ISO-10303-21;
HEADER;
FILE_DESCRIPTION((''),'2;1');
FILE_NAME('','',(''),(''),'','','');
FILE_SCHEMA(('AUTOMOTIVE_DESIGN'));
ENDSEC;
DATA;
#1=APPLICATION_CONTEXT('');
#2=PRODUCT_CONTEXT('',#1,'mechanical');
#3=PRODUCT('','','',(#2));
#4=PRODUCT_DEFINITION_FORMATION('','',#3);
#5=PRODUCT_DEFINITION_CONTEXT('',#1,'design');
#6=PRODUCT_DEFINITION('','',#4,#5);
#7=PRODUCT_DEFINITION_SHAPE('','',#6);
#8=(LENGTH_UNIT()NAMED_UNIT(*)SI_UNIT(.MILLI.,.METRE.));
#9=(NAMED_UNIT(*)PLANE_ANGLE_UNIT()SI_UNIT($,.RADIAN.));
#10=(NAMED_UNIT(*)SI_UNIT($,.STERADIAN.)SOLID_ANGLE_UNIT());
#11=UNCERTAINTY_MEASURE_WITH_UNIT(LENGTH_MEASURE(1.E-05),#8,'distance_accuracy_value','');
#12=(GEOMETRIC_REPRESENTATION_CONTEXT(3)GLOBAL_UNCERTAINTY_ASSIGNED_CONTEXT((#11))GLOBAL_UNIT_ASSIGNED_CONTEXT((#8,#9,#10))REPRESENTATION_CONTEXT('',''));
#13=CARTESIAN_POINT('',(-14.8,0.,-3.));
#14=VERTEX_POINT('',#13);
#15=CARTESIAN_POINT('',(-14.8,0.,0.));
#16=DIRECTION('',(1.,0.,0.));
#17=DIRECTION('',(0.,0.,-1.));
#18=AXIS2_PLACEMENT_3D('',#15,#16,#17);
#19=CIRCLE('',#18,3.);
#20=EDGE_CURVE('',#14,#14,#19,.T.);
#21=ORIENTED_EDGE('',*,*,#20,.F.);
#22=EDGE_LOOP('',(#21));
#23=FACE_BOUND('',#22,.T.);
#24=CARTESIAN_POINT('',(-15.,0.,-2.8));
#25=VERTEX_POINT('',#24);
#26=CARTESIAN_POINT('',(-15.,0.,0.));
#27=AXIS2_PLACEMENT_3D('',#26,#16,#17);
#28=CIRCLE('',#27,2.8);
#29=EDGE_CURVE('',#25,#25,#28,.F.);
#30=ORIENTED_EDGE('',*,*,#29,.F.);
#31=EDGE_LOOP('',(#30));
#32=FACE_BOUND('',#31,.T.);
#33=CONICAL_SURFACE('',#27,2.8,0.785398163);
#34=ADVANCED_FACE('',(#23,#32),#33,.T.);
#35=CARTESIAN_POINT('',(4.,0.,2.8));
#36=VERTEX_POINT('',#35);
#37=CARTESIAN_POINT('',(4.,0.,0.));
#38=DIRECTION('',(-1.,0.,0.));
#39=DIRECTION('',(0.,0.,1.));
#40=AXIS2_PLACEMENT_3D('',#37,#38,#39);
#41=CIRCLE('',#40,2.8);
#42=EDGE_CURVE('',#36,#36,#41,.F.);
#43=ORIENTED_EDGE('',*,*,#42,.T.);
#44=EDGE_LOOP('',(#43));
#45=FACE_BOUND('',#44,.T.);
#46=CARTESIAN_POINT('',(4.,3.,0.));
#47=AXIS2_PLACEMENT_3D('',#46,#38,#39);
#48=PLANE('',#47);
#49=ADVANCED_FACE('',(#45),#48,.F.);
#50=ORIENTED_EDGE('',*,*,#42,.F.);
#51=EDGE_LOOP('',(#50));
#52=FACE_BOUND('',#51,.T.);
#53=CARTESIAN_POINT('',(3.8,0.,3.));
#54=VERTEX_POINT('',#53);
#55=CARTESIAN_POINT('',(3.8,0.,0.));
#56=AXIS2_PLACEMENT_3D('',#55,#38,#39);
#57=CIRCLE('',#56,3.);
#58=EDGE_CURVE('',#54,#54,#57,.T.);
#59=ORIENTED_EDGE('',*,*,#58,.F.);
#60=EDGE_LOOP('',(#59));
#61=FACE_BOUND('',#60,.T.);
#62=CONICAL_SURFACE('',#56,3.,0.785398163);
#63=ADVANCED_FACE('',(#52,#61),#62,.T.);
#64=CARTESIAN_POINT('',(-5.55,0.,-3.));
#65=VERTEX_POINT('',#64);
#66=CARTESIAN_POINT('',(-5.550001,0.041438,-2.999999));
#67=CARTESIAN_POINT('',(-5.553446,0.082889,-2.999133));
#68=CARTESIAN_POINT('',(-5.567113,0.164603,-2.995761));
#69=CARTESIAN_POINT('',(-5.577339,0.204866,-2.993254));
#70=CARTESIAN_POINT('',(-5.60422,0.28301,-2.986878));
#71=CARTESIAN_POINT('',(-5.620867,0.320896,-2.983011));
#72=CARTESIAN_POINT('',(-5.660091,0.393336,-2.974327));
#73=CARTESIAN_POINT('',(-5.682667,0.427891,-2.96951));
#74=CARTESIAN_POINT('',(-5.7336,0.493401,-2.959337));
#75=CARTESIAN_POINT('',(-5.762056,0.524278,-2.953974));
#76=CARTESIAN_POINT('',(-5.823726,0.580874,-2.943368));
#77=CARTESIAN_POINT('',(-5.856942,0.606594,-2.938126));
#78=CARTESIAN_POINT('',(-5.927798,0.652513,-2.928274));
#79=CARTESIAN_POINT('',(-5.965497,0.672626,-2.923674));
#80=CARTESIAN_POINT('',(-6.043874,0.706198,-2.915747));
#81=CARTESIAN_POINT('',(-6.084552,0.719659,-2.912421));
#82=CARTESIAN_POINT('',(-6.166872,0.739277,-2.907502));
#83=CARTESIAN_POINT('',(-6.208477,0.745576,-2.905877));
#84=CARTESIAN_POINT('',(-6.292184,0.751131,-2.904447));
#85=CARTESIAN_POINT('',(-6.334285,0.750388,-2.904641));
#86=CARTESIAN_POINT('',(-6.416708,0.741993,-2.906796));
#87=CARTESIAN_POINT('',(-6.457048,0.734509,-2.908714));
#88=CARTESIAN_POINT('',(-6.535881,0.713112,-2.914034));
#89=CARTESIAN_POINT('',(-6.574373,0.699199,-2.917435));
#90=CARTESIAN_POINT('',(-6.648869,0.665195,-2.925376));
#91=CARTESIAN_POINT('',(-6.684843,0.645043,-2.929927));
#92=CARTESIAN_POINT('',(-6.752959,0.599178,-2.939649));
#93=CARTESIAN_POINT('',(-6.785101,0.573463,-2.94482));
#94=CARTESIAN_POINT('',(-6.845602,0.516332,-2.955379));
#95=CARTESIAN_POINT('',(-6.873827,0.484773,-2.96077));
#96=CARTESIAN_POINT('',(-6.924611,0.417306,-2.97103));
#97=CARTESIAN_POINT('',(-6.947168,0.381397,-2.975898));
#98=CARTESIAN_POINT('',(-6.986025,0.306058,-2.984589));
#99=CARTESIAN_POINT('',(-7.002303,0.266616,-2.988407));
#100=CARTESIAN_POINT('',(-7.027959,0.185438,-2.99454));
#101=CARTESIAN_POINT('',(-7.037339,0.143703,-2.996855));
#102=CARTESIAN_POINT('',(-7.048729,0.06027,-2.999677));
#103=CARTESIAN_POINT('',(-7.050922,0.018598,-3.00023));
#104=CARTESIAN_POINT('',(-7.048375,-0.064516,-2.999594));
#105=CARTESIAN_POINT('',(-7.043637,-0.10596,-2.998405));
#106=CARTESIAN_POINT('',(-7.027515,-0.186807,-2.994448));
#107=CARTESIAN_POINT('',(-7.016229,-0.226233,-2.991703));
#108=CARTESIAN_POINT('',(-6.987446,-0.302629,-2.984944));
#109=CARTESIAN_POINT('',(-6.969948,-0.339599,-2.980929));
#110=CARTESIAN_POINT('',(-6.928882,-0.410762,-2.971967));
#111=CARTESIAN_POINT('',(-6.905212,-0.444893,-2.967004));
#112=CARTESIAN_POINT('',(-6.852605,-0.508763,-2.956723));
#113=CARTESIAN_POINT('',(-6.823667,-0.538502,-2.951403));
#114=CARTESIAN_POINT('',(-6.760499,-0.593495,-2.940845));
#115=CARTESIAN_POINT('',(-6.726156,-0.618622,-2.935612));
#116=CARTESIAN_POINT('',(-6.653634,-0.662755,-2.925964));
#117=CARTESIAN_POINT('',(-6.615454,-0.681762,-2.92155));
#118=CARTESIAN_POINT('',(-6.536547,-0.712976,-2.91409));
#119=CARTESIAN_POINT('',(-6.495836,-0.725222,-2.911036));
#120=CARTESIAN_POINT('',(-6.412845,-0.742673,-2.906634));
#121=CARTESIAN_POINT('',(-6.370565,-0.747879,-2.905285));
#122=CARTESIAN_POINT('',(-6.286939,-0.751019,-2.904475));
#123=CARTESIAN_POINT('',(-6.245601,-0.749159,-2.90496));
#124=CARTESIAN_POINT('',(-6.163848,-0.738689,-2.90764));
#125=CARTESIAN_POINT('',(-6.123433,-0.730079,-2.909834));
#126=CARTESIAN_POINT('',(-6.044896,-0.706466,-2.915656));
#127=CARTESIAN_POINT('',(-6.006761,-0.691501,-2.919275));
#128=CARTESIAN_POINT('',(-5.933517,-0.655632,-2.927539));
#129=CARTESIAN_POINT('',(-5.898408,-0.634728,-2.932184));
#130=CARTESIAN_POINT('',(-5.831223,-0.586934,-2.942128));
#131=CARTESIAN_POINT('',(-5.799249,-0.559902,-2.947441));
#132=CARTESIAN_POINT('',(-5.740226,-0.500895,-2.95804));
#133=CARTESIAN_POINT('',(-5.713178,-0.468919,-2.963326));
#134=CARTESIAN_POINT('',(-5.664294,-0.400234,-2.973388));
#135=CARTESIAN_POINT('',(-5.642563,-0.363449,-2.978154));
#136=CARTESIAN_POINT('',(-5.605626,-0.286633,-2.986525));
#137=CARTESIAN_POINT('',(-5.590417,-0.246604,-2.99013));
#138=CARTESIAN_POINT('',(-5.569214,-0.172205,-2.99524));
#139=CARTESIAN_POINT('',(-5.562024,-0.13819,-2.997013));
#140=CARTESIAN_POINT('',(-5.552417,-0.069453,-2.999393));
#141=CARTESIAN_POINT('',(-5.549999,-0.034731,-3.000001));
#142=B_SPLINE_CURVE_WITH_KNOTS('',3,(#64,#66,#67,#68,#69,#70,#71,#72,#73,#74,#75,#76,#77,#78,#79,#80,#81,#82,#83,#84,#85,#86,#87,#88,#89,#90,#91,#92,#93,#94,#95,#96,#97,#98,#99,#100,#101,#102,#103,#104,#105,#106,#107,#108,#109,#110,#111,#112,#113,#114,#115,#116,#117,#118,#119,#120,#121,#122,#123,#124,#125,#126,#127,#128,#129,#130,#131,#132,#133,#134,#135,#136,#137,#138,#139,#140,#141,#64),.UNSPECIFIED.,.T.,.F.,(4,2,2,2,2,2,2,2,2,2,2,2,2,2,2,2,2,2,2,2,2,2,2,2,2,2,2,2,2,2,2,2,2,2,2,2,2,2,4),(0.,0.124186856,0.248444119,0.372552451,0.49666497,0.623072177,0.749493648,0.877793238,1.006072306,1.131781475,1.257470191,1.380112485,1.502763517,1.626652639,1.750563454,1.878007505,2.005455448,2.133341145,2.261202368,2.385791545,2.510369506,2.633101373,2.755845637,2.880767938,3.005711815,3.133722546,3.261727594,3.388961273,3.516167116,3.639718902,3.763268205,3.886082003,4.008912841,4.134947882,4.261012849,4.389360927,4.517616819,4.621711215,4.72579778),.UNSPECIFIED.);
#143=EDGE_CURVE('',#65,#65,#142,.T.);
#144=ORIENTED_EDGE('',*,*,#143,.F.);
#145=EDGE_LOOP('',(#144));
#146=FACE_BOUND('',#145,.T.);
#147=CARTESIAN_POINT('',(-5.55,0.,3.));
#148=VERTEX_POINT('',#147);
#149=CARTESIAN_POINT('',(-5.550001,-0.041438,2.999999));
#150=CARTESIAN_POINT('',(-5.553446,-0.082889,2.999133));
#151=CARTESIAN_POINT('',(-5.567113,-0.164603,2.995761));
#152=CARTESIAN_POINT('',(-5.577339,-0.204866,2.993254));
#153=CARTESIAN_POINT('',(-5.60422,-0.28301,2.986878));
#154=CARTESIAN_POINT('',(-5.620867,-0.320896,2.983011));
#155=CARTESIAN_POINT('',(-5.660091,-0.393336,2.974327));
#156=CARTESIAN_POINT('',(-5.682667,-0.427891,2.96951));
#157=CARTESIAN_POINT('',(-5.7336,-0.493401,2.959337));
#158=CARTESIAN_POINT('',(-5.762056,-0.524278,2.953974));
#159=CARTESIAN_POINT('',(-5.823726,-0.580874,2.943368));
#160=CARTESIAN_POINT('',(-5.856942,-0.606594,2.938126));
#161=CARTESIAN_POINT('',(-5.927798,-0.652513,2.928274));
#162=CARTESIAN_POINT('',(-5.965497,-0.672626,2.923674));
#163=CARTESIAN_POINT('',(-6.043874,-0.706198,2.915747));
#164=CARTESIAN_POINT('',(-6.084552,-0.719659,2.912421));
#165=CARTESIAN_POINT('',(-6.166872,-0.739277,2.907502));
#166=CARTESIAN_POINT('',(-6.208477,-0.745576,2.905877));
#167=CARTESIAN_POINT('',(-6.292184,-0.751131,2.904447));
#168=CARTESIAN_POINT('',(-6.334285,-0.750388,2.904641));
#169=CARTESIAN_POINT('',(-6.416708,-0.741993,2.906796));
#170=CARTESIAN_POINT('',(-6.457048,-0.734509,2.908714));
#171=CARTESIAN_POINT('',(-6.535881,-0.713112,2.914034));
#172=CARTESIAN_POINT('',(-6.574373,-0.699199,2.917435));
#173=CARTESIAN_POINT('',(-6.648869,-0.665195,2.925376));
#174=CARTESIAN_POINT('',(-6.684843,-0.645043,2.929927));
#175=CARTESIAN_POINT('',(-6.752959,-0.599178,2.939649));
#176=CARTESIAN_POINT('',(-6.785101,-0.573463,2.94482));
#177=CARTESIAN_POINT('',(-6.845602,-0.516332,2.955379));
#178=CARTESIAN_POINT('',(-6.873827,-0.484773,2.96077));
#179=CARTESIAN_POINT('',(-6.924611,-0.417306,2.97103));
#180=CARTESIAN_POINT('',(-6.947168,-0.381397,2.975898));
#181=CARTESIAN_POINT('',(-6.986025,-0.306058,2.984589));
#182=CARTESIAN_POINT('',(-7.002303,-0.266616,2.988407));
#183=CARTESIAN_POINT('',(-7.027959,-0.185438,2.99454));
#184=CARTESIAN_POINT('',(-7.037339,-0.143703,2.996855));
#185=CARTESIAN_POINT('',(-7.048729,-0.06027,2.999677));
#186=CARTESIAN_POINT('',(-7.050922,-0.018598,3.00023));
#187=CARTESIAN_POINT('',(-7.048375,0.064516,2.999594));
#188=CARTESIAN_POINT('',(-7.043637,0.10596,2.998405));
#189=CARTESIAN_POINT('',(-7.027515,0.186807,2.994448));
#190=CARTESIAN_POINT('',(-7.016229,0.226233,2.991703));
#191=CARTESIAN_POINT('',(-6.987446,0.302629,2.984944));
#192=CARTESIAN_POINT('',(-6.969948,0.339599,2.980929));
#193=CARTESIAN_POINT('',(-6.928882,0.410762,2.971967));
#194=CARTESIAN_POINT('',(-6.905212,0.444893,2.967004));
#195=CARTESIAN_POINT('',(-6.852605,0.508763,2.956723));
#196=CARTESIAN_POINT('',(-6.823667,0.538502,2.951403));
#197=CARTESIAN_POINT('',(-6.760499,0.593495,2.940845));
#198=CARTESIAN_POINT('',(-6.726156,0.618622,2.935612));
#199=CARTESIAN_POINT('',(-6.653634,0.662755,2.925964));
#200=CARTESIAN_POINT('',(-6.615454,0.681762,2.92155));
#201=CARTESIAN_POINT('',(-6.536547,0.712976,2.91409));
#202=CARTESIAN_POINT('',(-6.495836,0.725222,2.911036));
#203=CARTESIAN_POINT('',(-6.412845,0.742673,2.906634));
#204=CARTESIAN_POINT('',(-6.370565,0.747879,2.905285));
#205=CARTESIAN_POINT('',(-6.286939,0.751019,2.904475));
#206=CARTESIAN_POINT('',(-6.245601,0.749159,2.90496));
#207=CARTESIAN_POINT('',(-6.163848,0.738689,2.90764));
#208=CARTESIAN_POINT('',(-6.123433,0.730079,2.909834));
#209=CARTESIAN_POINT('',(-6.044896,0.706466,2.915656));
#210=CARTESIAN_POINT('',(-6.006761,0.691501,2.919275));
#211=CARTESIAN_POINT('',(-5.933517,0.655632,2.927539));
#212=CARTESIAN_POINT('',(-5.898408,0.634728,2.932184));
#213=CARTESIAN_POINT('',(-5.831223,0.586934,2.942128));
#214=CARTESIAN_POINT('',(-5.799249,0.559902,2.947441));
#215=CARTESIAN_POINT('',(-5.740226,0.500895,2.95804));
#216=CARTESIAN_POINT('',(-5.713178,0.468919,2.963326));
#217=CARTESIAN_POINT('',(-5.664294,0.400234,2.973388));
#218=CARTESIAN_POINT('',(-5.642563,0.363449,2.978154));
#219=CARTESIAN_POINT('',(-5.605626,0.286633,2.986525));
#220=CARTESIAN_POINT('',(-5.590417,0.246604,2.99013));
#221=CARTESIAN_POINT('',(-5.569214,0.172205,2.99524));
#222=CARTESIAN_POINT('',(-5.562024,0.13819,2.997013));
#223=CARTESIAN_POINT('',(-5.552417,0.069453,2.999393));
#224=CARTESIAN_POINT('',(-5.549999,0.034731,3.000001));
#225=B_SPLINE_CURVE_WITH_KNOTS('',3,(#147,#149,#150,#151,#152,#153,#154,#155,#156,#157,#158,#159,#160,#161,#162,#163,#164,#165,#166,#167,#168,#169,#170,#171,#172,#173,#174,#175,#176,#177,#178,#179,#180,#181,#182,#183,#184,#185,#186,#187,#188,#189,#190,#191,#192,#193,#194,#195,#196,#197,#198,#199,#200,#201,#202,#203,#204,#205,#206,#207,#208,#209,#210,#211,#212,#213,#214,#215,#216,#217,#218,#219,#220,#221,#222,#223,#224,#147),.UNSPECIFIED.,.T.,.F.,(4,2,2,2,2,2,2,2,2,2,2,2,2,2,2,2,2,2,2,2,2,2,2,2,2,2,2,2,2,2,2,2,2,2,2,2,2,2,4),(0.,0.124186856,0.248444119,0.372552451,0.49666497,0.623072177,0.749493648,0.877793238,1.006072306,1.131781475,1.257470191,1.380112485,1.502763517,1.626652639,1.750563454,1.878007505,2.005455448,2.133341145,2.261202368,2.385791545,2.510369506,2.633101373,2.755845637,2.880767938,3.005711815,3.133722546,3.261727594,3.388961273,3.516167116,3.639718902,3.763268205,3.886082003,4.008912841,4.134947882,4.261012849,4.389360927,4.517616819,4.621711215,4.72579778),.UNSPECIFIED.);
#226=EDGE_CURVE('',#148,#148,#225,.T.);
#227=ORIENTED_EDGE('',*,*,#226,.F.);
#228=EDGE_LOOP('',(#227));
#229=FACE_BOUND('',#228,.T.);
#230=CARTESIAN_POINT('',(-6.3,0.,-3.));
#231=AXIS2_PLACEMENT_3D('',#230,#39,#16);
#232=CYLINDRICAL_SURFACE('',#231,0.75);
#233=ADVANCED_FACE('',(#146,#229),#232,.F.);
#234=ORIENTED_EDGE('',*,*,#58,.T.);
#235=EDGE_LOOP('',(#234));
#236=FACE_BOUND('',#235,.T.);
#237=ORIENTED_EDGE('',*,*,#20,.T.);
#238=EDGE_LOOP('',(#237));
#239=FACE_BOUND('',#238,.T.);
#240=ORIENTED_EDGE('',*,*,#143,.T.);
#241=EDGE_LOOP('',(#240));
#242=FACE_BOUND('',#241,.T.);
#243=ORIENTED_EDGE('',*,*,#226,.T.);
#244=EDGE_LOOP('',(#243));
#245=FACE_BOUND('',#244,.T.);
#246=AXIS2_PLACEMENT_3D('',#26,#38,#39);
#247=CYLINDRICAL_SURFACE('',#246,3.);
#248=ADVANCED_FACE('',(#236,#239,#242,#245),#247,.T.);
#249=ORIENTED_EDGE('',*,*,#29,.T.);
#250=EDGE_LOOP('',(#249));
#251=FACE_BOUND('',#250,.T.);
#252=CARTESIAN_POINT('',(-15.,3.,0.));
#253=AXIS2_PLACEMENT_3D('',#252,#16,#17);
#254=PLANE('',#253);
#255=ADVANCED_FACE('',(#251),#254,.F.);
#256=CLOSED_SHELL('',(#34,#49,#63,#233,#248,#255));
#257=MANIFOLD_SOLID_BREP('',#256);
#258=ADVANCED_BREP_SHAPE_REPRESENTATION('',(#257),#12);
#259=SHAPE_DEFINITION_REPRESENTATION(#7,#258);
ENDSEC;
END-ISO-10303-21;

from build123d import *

# Parameters (mm, degrees)
ESQUISSE1_W                  = 19
ESQUISSE1_H                  = 3
CHANFREIN1_SIZE              = 0.2
ESQUISSE2_R                  = 0.75
ENL_V_MAT_EXTRU_1_DEPTH      = 4
ENL_V_MAT_EXTRU_1_DEPTH_BACK = 4


with BuildPart() as part:
    # Esquisse1 → Révolution1 (revolve)
    with BuildSketch(Plane.XY):
        with Locations((-5.5, 1.5)):
            Rectangle(ESQUISSE1_W, ESQUISSE1_H)
    revolve(axis=Axis((-15, 0, 0), (1, 0, 0)))

    # Chanfrein1
    chanfrein1_edges = [part.edges().sort_by_distance(p)[0] for p in [
        (-15, -3, 0),
        (4, -3, 0),
    ]]
    chamfer(chanfrein1_edges, length=CHANFREIN1_SIZE)

    # Esquisse2 → Enlèv. mat.-Extru.1 (cut, two sides)
    with BuildSketch(Plane.XY) as enl_v_mat_extru_1_sk:
        with Locations((-6.3, 0)):
            Circle(ESQUISSE2_R)
    extrude(amount=ENL_V_MAT_EXTRU_1_DEPTH, mode=Mode.SUBTRACT)
    extrude(enl_v_mat_extru_1_sk.sketch, amount=-ENL_V_MAT_EXTRU_1_DEPTH_BACK, mode=Mode.SUBTRACT)


solid = part.part
